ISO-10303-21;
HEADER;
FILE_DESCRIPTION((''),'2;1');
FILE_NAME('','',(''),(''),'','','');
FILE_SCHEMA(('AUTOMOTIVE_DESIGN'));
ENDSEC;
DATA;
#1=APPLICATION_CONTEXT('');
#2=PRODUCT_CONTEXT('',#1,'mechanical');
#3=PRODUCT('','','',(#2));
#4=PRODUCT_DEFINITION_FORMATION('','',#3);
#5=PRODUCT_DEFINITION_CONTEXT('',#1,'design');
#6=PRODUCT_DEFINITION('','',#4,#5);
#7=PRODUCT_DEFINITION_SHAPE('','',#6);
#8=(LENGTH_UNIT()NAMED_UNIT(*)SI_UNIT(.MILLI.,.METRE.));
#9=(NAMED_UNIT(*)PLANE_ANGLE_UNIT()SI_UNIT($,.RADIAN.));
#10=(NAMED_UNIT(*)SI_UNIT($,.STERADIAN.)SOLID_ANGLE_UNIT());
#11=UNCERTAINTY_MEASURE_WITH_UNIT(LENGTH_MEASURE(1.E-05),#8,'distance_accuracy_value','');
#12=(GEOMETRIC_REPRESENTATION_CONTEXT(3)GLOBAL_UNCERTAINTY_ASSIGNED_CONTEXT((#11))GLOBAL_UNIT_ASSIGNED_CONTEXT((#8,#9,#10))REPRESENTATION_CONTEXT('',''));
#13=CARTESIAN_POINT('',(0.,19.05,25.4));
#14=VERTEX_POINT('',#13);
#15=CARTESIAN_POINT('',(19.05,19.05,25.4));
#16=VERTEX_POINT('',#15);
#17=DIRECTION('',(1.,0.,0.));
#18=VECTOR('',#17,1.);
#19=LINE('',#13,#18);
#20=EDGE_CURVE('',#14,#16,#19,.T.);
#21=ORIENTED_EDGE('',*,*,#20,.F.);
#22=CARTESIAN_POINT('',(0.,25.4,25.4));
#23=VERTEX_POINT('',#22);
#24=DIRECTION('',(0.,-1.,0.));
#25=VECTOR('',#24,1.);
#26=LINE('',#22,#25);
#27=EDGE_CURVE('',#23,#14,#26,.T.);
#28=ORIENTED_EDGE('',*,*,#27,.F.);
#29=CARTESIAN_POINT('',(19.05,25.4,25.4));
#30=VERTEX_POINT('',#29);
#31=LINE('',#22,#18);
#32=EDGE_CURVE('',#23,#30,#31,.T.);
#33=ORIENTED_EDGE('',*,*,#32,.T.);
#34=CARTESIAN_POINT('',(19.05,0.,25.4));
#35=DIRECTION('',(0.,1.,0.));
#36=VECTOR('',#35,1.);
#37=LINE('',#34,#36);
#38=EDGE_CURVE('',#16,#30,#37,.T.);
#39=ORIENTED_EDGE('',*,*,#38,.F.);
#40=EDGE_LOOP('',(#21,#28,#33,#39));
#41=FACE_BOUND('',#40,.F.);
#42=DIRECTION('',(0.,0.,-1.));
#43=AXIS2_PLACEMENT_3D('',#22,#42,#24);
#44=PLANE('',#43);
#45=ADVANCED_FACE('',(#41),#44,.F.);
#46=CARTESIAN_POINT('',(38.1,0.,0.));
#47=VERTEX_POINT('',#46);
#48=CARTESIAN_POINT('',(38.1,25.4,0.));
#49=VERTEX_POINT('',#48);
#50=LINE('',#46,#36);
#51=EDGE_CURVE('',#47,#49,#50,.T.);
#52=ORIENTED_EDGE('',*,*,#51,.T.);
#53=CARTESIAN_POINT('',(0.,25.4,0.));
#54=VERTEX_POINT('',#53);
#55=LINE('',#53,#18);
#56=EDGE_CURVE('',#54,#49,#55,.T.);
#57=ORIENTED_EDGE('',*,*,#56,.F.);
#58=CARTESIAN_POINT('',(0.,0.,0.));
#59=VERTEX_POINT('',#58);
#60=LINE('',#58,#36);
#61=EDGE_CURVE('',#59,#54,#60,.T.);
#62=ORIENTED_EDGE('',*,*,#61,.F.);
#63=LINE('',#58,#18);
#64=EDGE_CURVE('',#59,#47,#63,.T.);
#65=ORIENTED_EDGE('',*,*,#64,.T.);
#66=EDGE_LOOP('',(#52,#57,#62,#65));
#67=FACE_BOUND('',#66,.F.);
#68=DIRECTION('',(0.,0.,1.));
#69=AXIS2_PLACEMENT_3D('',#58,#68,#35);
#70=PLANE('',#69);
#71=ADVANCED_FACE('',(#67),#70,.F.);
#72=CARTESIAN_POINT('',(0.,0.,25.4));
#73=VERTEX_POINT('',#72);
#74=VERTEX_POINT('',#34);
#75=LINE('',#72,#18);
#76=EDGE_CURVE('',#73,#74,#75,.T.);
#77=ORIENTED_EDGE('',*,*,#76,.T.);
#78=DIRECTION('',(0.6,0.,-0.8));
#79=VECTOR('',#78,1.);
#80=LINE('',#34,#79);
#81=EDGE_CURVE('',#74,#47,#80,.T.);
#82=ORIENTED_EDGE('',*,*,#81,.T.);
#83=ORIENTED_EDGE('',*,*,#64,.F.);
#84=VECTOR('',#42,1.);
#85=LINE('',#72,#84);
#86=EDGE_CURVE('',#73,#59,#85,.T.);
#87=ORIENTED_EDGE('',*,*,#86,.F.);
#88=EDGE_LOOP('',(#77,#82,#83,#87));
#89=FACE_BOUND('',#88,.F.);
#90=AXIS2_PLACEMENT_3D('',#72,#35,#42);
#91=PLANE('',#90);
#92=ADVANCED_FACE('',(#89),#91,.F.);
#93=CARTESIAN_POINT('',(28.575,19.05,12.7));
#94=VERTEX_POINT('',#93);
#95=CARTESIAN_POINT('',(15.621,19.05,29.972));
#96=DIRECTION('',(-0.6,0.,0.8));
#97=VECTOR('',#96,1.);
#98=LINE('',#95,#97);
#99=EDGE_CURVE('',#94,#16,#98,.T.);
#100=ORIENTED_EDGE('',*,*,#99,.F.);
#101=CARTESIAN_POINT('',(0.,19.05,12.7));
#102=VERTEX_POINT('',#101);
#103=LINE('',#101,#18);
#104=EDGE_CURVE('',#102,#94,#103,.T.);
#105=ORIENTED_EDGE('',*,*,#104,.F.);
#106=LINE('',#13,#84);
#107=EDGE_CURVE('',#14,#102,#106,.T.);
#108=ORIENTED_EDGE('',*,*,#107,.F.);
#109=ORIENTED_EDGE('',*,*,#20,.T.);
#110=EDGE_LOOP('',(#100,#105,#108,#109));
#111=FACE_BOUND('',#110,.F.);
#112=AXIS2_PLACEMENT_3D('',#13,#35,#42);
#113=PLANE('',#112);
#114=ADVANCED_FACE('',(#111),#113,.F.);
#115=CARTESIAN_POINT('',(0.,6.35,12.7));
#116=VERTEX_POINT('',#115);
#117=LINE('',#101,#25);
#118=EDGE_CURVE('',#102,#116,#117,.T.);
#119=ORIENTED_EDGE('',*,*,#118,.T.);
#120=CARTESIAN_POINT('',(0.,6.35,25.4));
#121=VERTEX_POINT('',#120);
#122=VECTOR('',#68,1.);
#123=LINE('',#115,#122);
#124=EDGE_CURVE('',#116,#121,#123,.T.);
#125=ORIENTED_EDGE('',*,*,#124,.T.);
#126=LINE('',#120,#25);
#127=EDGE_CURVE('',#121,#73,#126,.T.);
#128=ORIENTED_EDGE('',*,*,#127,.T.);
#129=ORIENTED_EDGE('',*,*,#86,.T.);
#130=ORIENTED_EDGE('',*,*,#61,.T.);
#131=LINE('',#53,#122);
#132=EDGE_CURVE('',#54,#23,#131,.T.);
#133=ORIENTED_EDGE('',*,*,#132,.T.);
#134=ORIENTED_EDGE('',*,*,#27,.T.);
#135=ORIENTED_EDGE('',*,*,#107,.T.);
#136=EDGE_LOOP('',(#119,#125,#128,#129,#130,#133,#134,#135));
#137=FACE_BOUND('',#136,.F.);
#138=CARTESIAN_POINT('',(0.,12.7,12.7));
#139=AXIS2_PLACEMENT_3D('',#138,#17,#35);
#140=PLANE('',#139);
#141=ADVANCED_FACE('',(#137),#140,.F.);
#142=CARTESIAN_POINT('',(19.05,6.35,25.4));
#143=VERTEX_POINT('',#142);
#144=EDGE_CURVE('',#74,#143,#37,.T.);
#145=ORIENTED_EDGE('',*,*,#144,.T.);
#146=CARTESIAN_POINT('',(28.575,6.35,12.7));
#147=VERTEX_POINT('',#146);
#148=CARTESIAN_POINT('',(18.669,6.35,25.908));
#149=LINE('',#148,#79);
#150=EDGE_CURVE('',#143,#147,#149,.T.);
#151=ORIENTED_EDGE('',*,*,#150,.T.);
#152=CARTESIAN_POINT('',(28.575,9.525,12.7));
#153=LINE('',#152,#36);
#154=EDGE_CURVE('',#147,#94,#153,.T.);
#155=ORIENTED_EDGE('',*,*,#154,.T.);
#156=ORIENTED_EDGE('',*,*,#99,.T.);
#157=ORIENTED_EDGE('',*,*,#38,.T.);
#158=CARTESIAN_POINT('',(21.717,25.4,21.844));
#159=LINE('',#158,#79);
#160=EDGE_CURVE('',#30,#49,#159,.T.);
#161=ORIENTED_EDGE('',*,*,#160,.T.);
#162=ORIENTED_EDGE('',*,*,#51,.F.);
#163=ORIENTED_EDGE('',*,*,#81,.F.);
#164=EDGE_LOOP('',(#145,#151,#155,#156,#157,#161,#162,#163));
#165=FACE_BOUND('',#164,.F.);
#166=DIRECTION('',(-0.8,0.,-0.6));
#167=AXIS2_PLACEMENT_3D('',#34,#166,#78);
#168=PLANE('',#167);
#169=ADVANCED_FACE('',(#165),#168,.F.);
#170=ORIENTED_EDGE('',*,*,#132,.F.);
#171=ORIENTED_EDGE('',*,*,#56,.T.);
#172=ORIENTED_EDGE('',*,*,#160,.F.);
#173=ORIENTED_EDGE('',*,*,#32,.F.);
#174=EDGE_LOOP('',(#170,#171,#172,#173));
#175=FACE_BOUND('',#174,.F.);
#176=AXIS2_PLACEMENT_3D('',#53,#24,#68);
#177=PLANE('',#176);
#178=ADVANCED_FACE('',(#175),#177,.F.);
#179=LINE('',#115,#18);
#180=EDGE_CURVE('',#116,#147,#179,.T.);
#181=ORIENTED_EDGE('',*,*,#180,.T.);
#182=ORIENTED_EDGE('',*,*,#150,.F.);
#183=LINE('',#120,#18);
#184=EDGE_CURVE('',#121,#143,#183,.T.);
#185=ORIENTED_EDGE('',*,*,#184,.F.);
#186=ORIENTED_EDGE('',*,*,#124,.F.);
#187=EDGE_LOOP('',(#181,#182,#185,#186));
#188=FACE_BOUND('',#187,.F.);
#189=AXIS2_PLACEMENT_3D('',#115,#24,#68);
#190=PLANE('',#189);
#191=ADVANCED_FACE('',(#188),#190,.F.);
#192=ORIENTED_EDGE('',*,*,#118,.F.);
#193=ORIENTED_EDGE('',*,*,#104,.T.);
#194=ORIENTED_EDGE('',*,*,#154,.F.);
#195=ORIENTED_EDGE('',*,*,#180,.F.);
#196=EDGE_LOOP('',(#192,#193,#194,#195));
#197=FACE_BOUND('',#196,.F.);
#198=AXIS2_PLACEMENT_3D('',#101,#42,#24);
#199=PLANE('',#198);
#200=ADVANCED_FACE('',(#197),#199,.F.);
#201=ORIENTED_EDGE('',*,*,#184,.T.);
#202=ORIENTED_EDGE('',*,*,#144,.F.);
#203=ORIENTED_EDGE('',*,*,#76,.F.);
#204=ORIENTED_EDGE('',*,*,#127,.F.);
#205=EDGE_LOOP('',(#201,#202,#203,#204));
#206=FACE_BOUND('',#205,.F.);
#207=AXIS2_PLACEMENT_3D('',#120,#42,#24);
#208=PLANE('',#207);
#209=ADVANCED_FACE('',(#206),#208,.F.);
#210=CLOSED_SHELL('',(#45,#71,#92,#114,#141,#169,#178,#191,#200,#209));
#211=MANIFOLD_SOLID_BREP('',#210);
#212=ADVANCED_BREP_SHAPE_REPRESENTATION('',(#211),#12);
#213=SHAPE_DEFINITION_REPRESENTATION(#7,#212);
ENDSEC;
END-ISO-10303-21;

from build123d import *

# Parameters (mm, degrees)
F2_DEPTH = 38.1
F3_DEPTH = 25.401


with BuildPart() as f2:
    # F0 (on Right) → F2 (new body)
    with BuildSketch(Plane.YZ):
        Polygon((0, 25.4), (0, 0), (25.4, 0), (25.4, 25.4), (19.05, 25.4), (19.05, 12.7), (6.35, 12.7), (6.35, 25.4), align=None)
    extrude(amount=F2_DEPTH)

    # F1 (on Front) → F3 (cut, through all)
    with BuildSketch(Plane.XZ):
        Polygon((19.05, 25.4), (38.1, 0), (38.1, 25.4), align=None)
    extrude(amount=-F3_DEPTH, mode=Mode.SUBTRACT)


solid = f2.part
